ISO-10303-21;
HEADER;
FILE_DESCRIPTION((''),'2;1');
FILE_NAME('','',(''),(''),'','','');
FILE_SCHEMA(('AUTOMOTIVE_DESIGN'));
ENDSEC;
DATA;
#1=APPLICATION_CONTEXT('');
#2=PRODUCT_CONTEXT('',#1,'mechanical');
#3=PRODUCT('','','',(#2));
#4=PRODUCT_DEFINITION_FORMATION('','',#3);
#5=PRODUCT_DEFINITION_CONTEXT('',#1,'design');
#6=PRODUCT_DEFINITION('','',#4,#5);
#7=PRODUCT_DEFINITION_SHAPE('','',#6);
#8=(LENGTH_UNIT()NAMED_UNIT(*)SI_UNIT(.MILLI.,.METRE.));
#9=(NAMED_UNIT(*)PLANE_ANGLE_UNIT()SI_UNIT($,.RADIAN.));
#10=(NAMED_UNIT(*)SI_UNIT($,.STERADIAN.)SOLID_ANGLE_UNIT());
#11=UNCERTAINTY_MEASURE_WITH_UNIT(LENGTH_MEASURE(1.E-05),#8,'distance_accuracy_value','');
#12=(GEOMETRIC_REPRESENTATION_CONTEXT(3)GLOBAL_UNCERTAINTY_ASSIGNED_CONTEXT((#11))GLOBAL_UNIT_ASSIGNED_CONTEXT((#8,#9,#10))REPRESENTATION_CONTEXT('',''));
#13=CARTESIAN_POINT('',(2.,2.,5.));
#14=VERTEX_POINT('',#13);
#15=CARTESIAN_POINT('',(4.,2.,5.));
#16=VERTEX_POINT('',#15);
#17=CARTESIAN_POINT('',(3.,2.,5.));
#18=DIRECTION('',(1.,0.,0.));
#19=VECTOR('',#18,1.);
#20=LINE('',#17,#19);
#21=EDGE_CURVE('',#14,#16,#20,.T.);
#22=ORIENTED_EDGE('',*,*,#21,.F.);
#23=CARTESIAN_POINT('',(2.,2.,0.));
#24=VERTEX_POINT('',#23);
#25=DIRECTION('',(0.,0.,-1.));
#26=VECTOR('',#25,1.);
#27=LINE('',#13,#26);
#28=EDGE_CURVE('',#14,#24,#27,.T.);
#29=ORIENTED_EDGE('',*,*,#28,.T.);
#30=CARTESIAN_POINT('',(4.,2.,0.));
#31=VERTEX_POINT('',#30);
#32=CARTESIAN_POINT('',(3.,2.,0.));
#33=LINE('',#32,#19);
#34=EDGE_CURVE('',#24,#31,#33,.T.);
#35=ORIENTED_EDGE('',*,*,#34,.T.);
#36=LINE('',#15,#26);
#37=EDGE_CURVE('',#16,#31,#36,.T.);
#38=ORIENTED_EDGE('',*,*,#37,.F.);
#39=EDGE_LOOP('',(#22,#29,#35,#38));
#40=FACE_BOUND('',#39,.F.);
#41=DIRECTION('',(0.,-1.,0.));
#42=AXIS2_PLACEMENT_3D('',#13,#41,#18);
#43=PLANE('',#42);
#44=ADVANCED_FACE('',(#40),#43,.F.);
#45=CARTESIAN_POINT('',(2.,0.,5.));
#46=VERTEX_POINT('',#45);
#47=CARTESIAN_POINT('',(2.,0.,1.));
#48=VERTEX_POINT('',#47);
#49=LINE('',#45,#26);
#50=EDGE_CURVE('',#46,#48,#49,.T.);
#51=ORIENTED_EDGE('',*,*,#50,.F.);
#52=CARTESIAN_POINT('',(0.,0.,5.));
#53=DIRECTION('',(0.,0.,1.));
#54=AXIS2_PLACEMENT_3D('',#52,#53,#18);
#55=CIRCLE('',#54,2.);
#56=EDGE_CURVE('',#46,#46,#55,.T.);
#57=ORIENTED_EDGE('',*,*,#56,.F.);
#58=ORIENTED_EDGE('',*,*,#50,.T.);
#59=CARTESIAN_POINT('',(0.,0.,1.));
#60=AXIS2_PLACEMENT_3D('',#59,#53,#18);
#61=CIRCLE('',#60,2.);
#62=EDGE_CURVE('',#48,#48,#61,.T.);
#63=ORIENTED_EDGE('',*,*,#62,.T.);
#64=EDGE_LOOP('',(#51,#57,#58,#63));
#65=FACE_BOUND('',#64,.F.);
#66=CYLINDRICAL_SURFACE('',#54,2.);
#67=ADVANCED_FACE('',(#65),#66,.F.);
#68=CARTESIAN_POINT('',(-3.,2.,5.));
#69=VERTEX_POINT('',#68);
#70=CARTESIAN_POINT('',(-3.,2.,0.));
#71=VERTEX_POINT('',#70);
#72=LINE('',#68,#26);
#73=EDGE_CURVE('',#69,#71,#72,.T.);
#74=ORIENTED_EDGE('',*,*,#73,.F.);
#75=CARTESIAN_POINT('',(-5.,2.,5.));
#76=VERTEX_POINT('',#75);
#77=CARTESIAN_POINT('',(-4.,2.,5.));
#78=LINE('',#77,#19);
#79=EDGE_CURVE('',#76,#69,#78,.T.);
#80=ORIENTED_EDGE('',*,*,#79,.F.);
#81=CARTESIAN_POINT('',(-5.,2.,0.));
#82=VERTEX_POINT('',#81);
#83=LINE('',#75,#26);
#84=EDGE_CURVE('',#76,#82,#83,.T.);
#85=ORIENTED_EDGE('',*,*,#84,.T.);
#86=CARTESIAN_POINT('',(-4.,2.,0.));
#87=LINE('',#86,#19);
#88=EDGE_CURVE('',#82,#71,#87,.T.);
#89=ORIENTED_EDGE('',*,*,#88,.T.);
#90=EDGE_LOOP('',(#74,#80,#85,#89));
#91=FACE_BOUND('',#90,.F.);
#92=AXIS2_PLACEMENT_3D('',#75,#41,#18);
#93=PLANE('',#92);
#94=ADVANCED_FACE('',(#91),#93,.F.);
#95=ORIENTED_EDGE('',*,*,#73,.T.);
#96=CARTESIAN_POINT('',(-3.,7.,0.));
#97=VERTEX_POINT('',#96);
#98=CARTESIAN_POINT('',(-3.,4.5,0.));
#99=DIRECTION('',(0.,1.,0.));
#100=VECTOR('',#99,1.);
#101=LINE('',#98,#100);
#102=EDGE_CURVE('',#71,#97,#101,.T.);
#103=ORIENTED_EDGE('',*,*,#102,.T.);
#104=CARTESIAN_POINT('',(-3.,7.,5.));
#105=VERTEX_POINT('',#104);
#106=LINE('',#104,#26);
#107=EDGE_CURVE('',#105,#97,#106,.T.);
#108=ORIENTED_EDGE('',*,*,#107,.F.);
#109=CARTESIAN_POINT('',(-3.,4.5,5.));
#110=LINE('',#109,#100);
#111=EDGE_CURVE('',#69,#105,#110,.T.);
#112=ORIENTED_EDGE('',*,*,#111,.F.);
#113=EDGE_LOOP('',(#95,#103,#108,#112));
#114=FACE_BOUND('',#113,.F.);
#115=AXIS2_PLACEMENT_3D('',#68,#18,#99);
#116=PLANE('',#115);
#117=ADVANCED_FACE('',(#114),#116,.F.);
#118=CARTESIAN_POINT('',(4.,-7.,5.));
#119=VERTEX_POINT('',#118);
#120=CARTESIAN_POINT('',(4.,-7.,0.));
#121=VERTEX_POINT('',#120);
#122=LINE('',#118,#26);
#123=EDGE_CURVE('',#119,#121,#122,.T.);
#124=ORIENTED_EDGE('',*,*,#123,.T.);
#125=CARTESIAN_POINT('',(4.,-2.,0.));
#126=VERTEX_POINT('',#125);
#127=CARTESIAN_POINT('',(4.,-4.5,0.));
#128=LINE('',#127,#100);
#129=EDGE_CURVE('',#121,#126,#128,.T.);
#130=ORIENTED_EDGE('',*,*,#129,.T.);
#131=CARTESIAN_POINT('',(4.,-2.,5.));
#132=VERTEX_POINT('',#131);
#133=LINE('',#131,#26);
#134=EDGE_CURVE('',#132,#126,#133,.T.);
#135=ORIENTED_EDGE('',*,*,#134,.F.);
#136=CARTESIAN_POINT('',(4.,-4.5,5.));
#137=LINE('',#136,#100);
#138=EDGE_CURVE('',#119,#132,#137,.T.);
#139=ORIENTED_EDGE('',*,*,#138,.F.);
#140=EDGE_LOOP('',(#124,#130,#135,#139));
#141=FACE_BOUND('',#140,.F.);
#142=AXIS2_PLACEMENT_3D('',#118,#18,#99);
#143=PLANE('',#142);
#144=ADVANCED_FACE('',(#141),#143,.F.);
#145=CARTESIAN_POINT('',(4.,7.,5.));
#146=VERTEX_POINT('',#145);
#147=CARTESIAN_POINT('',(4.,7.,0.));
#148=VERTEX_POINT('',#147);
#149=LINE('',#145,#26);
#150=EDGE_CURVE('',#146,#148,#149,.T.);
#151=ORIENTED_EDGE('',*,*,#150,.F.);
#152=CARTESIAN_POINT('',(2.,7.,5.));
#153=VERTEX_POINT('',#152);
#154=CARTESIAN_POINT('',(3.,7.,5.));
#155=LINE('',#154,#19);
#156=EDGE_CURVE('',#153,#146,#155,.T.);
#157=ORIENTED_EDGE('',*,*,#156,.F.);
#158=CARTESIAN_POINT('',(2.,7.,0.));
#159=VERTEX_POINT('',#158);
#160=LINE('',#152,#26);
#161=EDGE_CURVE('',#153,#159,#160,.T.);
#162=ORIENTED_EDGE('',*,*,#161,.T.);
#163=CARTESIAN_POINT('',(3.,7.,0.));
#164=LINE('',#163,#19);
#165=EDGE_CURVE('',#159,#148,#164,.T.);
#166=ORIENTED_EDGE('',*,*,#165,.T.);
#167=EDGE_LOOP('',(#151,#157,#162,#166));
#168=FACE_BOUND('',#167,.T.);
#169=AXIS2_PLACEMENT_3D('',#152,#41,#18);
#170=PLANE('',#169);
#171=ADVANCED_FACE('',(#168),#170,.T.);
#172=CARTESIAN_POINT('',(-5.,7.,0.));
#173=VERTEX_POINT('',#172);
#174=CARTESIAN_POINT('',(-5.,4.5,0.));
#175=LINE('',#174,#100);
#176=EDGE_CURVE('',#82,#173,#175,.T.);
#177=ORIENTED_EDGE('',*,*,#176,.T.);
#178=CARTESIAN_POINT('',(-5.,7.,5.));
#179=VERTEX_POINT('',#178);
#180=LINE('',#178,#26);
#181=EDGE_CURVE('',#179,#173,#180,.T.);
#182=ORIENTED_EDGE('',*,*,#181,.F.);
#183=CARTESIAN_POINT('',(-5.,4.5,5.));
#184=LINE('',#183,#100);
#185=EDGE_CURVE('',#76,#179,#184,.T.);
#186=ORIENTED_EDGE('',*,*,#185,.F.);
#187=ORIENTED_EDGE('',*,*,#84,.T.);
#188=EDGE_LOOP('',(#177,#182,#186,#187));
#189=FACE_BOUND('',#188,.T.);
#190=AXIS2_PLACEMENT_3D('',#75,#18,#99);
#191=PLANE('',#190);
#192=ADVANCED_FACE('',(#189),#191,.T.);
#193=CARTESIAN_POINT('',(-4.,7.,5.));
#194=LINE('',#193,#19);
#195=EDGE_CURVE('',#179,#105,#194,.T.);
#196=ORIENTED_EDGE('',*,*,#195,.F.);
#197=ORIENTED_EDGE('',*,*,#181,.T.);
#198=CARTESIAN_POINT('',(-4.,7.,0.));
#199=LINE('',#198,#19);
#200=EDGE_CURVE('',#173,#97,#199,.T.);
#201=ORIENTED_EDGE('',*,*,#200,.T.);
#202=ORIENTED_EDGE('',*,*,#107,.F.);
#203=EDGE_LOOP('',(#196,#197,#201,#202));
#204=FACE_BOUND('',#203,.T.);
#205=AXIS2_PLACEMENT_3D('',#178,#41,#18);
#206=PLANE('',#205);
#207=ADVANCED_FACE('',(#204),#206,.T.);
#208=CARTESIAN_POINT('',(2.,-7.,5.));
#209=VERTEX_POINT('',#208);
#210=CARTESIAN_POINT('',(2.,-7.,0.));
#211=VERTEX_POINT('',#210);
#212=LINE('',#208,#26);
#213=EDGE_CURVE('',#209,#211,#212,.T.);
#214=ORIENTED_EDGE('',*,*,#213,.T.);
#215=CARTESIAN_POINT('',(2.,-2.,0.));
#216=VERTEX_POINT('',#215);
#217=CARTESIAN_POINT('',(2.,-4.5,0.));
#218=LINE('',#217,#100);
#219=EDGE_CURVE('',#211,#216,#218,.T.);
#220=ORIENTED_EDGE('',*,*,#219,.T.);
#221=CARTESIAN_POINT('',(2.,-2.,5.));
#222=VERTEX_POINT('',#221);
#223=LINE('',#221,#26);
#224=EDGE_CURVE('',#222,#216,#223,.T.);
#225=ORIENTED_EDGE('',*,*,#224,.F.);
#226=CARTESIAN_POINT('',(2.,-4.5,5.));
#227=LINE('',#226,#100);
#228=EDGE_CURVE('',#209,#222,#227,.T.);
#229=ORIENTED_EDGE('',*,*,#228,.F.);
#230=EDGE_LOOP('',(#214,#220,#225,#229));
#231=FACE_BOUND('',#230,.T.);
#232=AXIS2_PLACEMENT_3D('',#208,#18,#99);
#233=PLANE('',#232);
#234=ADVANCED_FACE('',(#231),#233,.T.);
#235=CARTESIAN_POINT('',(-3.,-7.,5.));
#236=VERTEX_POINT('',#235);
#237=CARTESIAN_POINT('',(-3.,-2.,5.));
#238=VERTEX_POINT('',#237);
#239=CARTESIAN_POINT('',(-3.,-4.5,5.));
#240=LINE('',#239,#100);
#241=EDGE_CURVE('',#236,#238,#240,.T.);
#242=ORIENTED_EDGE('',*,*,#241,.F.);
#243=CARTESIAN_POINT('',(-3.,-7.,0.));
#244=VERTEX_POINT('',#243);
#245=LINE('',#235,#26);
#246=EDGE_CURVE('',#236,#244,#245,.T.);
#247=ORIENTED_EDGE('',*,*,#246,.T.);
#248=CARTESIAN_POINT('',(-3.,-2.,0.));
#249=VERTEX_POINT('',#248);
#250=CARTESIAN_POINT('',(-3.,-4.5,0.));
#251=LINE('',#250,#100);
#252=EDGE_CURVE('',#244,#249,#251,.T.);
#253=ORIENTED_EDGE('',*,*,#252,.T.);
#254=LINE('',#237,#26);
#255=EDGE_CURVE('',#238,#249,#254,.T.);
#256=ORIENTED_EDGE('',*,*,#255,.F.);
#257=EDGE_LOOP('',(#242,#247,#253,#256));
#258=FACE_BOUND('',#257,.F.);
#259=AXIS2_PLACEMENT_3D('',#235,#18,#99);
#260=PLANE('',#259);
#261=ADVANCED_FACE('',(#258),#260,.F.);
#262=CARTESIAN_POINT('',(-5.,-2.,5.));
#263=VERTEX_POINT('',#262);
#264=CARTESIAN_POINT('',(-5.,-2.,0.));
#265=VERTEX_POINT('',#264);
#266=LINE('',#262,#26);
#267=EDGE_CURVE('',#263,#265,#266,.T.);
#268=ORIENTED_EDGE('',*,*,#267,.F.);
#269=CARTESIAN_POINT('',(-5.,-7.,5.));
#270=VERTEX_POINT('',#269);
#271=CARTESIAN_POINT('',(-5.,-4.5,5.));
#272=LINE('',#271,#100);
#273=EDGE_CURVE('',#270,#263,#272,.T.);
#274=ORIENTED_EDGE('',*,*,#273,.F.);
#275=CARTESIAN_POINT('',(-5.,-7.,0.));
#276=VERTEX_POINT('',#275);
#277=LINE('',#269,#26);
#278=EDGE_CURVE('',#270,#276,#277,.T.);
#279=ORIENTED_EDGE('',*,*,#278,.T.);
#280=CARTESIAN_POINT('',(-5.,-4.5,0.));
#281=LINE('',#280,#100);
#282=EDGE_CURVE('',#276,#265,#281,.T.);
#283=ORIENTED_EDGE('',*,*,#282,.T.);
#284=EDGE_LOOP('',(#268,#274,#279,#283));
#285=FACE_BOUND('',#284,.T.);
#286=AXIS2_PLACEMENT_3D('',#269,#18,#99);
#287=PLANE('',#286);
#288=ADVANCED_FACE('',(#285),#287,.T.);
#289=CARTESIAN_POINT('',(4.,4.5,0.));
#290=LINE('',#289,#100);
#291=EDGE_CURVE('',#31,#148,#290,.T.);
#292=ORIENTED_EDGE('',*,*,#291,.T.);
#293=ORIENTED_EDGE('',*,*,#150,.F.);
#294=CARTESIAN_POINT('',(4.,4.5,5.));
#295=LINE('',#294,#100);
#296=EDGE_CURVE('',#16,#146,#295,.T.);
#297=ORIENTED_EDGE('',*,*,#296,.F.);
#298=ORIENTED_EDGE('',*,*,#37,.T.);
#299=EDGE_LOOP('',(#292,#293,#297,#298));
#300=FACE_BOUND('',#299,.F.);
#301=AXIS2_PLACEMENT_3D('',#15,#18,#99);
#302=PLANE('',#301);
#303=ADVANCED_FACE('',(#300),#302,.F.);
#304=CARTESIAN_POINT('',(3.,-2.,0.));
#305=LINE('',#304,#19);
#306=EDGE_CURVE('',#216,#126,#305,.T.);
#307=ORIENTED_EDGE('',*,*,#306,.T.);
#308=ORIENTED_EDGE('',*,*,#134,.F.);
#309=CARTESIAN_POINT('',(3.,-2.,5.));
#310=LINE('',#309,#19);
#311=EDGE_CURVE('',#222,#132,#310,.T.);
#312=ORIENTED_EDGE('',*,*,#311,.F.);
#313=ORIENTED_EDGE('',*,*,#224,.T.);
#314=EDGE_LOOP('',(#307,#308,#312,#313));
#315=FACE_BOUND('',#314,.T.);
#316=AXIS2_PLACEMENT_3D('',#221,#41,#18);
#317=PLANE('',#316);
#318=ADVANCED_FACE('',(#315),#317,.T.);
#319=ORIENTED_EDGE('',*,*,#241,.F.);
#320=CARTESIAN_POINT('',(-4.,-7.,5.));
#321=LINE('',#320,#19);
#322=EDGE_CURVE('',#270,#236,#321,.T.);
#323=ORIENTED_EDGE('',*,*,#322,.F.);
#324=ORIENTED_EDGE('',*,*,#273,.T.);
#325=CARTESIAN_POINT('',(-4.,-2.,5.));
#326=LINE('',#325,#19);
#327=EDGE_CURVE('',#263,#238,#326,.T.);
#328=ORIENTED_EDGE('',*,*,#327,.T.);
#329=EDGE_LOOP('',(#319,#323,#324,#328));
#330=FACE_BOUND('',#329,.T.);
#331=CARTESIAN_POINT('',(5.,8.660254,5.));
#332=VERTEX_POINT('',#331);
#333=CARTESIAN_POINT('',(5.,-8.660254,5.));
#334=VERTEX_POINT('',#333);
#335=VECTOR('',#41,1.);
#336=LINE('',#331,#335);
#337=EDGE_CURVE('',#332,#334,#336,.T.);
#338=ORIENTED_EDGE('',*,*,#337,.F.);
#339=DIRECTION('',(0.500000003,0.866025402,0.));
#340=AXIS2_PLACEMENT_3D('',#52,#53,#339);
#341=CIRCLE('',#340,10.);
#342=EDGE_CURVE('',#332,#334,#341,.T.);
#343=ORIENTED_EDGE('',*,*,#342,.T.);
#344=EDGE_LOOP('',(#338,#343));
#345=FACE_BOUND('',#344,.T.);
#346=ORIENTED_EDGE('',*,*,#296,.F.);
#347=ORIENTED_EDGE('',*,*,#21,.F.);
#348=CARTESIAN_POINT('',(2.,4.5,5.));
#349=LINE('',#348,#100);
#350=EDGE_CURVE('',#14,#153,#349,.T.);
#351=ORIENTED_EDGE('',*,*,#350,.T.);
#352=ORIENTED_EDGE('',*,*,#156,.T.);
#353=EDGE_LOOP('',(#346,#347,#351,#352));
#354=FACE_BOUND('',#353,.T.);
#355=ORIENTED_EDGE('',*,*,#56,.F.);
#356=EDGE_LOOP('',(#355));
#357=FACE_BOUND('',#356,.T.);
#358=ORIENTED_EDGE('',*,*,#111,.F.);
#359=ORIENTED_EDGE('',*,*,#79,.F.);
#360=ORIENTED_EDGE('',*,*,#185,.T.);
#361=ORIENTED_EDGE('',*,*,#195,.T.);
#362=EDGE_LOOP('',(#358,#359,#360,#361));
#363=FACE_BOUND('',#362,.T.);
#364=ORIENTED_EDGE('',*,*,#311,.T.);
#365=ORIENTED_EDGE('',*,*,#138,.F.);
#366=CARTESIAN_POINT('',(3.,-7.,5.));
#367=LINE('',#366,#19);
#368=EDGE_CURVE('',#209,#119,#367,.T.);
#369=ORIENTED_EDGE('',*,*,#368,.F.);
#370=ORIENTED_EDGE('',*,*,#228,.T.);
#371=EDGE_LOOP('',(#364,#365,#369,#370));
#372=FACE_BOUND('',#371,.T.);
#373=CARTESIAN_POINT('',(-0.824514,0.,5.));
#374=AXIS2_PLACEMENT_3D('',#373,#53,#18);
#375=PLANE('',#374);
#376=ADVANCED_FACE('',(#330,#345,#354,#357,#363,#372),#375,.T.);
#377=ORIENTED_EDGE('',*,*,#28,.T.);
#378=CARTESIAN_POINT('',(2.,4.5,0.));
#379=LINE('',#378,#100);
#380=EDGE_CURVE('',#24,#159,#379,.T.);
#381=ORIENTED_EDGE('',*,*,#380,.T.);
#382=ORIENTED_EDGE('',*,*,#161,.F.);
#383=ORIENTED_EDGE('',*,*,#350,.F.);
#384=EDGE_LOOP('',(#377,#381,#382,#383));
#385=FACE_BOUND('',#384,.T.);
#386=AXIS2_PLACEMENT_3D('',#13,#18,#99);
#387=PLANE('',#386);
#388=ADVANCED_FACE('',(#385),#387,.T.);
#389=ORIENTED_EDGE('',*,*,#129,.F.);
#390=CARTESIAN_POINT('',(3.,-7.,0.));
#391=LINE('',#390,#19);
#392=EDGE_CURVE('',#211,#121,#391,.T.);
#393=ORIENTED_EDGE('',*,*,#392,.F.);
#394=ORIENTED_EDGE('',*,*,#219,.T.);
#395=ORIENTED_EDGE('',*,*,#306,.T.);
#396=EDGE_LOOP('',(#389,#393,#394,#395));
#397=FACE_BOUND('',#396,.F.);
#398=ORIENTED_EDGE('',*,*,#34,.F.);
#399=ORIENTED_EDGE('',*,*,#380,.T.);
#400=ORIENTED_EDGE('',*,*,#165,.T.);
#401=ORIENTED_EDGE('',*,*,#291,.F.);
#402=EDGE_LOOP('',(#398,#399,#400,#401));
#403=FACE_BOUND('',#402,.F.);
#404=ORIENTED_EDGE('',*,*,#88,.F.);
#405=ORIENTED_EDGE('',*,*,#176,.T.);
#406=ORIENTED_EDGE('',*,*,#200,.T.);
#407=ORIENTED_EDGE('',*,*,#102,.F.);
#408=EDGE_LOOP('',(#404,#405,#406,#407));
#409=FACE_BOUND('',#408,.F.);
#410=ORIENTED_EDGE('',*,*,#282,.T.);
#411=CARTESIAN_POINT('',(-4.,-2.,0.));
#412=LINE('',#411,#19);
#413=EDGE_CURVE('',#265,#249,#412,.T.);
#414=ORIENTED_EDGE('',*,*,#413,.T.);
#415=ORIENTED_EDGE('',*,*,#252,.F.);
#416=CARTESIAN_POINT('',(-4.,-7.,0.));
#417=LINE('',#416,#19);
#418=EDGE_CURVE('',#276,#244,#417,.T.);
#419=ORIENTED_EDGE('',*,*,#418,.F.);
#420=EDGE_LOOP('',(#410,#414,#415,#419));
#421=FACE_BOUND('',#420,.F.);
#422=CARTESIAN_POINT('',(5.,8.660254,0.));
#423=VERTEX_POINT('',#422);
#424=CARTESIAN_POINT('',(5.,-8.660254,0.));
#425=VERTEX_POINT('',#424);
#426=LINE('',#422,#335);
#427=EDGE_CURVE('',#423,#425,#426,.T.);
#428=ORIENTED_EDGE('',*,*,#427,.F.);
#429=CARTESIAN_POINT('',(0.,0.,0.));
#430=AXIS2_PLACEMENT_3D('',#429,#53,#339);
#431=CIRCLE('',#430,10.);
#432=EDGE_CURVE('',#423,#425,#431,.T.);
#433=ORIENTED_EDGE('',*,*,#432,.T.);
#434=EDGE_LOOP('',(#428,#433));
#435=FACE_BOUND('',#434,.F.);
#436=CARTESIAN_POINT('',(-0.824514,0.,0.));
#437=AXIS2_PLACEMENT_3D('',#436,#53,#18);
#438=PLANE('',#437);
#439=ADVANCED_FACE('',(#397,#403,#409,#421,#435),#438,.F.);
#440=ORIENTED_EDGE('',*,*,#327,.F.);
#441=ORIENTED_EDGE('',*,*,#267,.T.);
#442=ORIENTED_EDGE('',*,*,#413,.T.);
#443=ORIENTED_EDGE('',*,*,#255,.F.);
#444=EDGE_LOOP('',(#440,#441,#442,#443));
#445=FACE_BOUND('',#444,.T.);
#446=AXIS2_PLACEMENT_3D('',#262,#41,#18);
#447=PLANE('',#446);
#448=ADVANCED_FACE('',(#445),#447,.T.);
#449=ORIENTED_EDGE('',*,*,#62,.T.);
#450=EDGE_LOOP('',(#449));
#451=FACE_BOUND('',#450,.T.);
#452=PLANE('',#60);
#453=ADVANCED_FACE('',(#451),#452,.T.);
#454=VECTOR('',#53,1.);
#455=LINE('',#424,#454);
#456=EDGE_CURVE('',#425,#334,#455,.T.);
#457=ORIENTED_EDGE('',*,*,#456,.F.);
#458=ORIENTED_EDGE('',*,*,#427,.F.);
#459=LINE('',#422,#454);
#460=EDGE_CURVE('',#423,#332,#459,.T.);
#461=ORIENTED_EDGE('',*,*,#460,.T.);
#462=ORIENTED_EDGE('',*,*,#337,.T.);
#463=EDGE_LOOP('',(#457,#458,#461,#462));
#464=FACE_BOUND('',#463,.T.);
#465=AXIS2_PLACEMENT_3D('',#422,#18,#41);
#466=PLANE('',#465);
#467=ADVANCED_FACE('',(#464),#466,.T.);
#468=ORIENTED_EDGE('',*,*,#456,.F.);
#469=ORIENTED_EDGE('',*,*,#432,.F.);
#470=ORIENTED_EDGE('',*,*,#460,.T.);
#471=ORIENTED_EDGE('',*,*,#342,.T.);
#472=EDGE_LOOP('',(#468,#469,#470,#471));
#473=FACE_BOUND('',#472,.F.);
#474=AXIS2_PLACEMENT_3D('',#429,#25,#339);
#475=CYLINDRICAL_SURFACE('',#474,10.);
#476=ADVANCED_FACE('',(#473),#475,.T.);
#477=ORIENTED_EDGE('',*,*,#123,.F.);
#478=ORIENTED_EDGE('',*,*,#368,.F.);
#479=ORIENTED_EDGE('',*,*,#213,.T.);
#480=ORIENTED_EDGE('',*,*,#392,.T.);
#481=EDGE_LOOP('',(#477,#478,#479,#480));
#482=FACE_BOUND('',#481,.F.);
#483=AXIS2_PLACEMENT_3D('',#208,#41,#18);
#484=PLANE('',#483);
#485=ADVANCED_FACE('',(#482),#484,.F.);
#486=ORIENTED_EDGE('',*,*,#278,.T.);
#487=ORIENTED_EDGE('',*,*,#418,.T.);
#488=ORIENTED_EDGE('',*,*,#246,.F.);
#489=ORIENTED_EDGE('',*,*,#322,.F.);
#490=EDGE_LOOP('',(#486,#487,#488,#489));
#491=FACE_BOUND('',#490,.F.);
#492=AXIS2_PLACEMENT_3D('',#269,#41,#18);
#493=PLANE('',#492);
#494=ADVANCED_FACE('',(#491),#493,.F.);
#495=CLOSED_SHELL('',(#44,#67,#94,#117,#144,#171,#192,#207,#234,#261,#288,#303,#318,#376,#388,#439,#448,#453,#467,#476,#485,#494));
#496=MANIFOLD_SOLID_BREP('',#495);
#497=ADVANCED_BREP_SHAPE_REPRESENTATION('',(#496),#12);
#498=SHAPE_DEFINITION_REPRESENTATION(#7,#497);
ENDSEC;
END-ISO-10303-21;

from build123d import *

# Parameters (mm, degrees)
PAD003_DEPTH    = 5
SKETCH008_W     = 2
SKETCH008_H     = 5
POCKET004_DEPTH = 5
SKETCH009_R     = 2
POCKET005_DEPTH = 4


with BuildPart() as part:
    # Sketch007 → Pad003 (new body)
    with BuildSketch(Plane.XY):
        with BuildLine():
            ThreePointArc((5, 8.660254), (-10, 0), (5, -8.660254))
            Line((5, 8.660254), (5, -8.660254))
        make_face()
    extrude(amount=PAD003_DEPTH)

    # Sketch008 → Pocket004 (cut)
    with BuildSketch(Plane.XY.offset(5)):
        with Locations((-4, 4.5)):
            Rectangle(SKETCH008_W, SKETCH008_H)
        with Locations((3, 4.5)):
            Rectangle(SKETCH008_W, SKETCH008_H)
        with Locations((3, -4.5)):
            Rectangle(SKETCH008_W, SKETCH008_H)
        with Locations((-4, -4.5)):
            Rectangle(SKETCH008_W, SKETCH008_H)
    extrude(amount=-POCKET004_DEPTH, mode=Mode.SUBTRACT)

    # Sketch009 → Pocket005 (cut)
    with BuildSketch(Plane.XY.offset(5)):
        Circle(SKETCH009_R)
    extrude(amount=-POCKET005_DEPTH, mode=Mode.SUBTRACT)


solid = part.part
